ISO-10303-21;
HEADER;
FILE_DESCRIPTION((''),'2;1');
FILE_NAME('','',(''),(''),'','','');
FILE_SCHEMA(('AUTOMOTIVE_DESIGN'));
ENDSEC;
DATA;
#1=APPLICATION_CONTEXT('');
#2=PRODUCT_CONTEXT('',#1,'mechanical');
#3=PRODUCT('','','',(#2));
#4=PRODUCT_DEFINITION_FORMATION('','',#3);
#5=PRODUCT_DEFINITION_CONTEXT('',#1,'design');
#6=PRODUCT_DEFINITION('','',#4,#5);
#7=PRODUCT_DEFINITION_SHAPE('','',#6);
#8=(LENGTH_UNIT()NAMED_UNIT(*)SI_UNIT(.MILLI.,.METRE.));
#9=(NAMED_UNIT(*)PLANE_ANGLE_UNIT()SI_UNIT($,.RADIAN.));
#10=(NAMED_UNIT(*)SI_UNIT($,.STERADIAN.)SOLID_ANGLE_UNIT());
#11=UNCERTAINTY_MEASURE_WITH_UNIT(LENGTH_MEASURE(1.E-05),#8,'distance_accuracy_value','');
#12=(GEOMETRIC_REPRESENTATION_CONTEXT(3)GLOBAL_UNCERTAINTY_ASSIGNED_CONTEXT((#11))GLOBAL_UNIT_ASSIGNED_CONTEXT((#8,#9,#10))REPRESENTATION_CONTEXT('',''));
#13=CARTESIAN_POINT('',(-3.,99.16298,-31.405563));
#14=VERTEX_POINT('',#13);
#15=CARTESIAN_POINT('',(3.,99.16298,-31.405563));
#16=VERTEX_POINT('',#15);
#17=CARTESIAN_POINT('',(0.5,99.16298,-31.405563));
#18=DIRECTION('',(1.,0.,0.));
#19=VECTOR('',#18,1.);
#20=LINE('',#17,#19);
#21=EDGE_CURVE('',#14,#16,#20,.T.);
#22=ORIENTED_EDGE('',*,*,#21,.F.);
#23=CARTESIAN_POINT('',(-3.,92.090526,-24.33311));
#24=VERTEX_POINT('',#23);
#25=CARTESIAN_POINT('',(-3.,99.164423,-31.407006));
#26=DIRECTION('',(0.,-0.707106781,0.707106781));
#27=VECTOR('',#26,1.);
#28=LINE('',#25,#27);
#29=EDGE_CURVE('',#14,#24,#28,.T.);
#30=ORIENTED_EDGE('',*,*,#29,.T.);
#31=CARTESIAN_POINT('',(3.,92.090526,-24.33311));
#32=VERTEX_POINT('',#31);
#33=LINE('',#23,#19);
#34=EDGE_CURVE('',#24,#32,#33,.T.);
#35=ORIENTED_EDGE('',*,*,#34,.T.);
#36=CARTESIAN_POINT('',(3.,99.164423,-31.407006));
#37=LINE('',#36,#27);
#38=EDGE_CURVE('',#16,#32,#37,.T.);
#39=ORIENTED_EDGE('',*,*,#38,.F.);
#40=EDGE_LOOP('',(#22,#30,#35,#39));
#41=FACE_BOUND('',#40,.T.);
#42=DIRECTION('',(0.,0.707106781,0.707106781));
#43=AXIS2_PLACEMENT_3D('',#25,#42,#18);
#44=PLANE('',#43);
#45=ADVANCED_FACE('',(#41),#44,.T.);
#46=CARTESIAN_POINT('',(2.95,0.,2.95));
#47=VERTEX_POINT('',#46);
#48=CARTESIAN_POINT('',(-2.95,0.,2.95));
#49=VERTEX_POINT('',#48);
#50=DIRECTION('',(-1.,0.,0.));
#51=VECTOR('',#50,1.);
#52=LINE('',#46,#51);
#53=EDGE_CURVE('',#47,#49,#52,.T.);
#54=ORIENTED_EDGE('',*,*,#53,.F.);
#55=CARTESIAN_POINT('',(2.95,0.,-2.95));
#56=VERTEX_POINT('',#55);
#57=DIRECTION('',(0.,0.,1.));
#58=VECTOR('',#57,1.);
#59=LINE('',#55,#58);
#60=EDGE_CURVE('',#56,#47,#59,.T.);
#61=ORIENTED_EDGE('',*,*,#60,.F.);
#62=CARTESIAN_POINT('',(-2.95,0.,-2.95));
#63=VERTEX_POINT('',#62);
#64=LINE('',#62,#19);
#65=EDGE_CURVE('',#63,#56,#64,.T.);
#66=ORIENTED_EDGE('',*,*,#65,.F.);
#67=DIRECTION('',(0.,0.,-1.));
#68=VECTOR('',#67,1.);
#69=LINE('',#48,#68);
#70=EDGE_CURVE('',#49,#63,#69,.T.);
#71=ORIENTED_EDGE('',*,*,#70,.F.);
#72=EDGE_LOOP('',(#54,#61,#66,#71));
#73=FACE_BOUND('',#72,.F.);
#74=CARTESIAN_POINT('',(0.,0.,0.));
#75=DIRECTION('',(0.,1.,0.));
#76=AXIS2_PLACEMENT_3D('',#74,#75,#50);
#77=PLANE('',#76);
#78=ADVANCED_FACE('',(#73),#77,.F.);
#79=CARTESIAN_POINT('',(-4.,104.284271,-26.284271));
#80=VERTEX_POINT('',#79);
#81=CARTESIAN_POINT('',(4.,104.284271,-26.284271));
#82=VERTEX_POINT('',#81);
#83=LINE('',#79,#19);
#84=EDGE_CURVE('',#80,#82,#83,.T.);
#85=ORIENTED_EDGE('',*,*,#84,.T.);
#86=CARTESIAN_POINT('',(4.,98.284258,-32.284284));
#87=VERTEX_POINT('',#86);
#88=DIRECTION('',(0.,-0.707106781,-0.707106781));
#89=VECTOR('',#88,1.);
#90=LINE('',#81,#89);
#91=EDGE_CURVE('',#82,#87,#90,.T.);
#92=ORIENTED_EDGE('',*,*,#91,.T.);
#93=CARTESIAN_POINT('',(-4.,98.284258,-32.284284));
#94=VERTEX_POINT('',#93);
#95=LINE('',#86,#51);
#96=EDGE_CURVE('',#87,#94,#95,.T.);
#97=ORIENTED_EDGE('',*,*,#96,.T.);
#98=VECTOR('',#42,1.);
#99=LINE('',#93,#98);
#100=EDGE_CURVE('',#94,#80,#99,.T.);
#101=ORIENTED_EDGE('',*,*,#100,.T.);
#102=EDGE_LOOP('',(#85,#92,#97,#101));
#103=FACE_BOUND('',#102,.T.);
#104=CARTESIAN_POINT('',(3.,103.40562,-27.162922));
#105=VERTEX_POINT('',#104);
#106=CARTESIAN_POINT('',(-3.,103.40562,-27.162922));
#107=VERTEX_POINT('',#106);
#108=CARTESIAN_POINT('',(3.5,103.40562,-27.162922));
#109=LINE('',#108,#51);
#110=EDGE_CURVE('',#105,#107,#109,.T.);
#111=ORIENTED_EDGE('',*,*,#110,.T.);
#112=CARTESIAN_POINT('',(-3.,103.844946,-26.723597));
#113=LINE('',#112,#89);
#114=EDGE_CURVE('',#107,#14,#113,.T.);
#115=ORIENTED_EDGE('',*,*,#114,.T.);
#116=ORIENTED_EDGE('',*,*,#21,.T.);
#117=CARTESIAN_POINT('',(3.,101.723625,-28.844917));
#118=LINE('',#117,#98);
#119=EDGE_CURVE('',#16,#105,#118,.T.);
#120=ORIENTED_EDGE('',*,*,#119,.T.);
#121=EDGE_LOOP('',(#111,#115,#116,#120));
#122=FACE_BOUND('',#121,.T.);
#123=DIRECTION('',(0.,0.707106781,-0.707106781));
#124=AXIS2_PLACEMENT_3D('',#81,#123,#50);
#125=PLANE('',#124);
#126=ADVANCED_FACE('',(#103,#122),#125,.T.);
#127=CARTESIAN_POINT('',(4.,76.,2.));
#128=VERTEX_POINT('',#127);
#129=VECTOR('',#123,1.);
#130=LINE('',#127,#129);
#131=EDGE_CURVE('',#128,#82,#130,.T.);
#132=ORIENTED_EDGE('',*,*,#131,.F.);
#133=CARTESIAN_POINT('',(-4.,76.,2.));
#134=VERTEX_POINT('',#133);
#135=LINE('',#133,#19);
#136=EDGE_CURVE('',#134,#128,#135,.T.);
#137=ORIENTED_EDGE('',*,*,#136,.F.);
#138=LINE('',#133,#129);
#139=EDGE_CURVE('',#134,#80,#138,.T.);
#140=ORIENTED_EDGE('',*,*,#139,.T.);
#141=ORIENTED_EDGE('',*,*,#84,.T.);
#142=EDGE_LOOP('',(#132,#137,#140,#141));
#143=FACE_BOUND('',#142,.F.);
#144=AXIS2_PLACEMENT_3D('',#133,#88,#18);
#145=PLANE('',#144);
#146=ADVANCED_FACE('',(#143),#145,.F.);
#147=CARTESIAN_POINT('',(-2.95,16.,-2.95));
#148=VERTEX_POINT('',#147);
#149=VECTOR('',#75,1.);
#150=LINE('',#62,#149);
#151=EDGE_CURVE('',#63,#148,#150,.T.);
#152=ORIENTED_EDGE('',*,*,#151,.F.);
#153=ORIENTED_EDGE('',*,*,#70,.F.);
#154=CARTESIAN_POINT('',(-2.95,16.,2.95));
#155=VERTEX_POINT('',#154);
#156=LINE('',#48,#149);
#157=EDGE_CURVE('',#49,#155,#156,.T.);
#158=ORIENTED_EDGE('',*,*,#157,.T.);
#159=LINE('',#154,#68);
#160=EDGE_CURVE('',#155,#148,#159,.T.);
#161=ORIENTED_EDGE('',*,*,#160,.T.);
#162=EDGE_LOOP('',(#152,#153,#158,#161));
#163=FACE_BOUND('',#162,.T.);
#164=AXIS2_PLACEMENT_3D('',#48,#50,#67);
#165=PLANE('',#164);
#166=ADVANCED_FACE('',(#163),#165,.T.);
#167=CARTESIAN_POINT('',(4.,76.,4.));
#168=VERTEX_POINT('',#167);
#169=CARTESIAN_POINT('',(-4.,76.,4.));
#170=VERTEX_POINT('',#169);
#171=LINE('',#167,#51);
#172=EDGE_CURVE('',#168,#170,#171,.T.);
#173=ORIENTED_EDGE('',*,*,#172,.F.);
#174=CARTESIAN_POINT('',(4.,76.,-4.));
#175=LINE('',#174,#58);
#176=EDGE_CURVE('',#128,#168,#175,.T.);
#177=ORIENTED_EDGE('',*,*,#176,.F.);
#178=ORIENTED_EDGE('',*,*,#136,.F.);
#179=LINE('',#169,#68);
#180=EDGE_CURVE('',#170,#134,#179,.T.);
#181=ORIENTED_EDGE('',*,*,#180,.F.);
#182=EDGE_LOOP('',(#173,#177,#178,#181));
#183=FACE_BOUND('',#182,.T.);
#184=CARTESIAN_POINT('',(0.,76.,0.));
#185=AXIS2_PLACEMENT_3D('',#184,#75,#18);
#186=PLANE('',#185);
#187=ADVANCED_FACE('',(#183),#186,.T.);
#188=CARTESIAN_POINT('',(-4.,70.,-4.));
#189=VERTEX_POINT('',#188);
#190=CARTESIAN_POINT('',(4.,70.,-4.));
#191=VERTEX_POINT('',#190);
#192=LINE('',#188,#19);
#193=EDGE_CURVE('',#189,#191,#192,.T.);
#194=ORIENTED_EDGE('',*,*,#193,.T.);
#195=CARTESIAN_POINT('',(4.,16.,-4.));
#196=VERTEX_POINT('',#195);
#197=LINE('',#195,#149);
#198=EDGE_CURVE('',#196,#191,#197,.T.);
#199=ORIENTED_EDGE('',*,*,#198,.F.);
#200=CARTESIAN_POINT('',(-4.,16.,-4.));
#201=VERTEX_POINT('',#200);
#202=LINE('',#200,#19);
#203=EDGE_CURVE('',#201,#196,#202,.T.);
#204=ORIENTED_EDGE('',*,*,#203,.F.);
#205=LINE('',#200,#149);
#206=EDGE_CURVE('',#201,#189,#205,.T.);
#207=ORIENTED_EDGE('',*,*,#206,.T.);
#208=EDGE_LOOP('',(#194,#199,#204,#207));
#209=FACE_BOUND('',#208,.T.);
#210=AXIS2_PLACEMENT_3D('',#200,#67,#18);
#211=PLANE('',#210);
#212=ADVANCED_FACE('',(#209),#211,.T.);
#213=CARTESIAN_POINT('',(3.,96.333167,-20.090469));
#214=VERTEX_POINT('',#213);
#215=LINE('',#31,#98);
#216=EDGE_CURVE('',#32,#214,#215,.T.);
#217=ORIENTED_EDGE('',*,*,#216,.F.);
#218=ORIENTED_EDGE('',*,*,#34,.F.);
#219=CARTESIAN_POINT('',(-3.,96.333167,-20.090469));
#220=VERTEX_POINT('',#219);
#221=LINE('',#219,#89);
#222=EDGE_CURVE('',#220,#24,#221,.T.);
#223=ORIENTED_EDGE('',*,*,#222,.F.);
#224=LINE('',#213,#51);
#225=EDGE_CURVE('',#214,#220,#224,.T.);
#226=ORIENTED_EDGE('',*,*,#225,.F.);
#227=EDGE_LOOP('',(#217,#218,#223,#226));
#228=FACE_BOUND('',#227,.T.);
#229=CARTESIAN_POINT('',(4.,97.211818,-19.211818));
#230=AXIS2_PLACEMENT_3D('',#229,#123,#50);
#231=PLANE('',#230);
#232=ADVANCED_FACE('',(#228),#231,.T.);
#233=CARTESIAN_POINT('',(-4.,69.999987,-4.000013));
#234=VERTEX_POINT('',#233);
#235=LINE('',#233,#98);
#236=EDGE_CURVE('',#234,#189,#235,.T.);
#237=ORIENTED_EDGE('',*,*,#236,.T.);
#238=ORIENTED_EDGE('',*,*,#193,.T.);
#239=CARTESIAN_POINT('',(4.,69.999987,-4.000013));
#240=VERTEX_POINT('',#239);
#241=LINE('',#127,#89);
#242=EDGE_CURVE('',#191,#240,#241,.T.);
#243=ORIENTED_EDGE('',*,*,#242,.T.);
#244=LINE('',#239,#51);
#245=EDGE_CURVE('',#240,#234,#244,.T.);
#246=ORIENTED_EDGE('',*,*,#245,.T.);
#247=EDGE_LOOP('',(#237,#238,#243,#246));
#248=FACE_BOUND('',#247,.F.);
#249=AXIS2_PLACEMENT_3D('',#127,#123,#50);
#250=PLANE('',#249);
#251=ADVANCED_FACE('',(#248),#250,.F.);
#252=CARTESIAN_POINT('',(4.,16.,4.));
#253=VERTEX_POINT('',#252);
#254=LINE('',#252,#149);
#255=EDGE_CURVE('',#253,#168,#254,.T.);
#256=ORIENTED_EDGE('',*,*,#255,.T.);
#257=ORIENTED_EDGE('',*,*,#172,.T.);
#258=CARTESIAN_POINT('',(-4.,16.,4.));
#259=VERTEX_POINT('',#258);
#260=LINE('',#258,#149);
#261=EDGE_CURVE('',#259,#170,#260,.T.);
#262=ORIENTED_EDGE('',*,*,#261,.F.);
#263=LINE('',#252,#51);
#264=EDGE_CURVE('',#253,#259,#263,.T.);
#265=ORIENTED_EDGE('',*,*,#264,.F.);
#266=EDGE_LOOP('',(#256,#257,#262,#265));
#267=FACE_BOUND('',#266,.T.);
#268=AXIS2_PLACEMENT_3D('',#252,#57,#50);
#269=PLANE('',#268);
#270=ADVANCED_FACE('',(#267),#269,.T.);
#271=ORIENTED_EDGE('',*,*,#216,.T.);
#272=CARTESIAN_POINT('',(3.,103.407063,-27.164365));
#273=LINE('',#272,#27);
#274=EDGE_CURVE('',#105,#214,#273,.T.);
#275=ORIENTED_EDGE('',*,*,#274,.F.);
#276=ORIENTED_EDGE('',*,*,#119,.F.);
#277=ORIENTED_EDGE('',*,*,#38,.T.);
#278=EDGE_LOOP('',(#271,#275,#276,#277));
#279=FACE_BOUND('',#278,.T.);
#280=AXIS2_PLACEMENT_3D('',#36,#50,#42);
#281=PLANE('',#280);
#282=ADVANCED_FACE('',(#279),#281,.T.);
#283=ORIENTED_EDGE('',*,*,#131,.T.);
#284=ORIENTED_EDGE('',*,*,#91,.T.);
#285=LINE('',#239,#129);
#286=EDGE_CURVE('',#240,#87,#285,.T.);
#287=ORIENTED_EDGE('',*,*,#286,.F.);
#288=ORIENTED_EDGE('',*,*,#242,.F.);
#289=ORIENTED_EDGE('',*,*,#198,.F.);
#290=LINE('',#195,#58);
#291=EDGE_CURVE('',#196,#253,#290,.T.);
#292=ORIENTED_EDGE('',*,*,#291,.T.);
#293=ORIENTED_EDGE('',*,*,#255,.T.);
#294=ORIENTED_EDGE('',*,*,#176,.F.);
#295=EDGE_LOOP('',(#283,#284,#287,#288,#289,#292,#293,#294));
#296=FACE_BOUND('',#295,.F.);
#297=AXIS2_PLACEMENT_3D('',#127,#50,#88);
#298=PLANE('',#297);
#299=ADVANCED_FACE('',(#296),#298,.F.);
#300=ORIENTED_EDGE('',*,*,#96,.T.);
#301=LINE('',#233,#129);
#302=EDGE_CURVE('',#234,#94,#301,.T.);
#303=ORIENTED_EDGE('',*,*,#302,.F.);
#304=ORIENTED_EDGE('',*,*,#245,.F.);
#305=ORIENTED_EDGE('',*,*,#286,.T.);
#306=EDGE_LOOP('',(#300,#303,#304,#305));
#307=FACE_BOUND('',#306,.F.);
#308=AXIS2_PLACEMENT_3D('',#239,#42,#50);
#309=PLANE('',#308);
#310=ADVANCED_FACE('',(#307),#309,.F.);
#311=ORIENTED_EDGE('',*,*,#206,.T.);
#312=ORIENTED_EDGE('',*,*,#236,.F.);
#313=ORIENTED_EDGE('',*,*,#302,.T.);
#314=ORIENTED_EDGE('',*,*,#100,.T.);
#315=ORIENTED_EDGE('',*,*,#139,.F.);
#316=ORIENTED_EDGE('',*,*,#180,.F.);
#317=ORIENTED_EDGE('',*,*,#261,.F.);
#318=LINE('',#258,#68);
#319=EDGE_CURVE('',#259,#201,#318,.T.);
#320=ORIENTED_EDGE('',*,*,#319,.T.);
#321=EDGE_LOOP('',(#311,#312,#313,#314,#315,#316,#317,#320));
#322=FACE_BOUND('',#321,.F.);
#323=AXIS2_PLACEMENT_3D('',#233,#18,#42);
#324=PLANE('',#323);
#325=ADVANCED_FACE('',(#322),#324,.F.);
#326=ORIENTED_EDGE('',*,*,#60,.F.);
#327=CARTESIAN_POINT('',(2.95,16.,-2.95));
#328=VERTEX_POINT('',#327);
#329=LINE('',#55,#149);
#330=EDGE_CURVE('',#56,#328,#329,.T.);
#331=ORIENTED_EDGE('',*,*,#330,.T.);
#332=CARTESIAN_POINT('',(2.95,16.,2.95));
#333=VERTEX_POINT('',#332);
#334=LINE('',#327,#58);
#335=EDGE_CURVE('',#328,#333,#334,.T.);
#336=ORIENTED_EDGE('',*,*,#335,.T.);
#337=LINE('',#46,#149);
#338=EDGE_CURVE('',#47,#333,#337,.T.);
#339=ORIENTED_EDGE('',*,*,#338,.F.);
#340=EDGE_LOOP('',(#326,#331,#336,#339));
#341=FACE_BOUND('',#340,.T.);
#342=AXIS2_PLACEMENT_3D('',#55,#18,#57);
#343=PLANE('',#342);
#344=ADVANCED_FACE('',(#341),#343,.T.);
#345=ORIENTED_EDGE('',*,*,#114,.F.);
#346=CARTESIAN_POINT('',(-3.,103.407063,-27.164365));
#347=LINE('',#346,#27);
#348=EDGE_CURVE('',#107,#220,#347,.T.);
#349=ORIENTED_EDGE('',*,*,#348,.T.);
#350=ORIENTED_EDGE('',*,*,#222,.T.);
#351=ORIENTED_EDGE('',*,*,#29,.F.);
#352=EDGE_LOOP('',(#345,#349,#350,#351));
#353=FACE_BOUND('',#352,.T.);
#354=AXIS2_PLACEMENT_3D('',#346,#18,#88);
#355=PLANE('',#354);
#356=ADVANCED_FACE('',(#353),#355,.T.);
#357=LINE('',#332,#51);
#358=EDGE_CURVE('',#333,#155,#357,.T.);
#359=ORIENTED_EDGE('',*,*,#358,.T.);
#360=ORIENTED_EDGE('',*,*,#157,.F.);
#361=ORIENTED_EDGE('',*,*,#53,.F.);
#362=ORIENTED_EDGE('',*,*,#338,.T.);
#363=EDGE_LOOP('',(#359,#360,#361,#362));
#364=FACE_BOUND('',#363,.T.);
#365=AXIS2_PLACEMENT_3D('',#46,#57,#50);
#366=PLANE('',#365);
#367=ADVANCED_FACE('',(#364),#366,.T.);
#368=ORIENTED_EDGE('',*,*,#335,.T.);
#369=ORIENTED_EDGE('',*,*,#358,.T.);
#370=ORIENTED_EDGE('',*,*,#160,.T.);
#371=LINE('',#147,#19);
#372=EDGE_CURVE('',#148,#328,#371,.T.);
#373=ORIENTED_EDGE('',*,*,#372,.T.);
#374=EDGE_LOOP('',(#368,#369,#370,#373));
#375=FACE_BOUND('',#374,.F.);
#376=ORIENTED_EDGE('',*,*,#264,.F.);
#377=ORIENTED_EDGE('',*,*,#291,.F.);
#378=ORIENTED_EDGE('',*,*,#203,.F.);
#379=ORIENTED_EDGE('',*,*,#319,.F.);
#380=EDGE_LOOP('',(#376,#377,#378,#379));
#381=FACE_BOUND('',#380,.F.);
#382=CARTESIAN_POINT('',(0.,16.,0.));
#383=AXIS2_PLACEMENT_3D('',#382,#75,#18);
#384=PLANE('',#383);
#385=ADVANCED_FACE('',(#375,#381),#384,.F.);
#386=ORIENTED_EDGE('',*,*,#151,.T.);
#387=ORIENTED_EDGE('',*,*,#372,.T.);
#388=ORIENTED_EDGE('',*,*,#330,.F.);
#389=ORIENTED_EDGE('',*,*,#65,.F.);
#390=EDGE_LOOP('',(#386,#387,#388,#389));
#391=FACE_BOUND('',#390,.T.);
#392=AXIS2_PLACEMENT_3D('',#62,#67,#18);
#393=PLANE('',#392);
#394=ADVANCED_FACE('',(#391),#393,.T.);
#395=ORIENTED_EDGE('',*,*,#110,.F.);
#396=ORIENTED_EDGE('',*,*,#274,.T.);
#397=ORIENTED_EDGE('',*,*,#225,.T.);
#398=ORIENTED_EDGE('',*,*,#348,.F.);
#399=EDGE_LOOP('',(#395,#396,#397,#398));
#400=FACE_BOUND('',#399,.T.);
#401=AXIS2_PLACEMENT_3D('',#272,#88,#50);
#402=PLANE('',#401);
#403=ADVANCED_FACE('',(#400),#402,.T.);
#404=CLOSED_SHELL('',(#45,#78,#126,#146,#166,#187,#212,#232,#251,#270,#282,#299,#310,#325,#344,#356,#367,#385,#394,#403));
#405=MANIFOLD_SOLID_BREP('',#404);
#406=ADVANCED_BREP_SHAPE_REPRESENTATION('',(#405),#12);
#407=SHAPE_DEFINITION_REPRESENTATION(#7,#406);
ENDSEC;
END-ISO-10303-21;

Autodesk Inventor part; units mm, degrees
ref_plane "YZ Plane" through (0, 0, 0) normal (1, 0, 0) x (0, 1, 0)
ref_plane "XZ Plane" through (0, 0, 0) normal (0, 1, 0) x (-1, 0, 0)
ref_plane "XY Plane" through (0, 0, 0) normal (0, 0, 1) x (1, 0, 0)
sketch "Sketch1" plane through (0, 0, 0) normal (0, 1, 0) x (-1, 0, 0)
  line L0 (-2.95, 2.95) -> (2.95, 2.95)
  line L1 (2.95, 2.95) -> (2.95, -2.95)
  line L2 (2.95, -2.95) -> (-2.95, -2.95)
  line L3 (-2.95, -2.95) -> (-2.95, 2.95)
  line L4 (-2.95, 2.95) -> (2.95, -2.95) construction
  line L5 (2.95, 2.95) -> (-2.95, -2.95) construction
  point P0 (0, 0)
  dimension "d0" = 5.9
  dimension "d1" = 5.9
extrude "Extrusion1" add sketch "Sketch1" along normal blind 16
sketch "Sketch2" plane through (0, 16, 0) normal (0, 1, 0) x (1, 0, 0)
  line L0 (4, -4) -> (-4, -4)
  line L1 (-4, -4) -> (-4, 4)
  line L2 (-4, 4) -> (4, 4)
  line L3 (4, 4) -> (4, -4)
  line L4 (4, -4) -> (-4, 4) construction
  line L5 (-4, -4) -> (4, 4) construction
  point P0 (0, 0)
  dimension "d4" = 8
  dimension "d5" = 8
extrude "Extrusion2" add sketch "Sketch2" along normal blind 60
chamfer "Chamfer1" distance 6 angle 45 1 edges at (0, 76, -4) measured on face at (1.3333, 76, 1.3333)
sketch "Sketch4" plane through (4, 76, 2) normal (0, 0.7071, -0.7071) x (-1, 0, 0)
  line L0 (8, -8.4853) -> (8, 0) projected
  line L1 (8, 0) -> (0, 0) projected
  line L2 (0, 0) -> (0, -8.4853) projected
  line L3 (0, -8.4853) -> (8, -8.4853) projected
  point P0 (4, -55.1543)
extrude "Extrusion4" add sketch "Sketch4" along normal blind 40
sketch "Sketch5" plane through (4, 104.2843, -26.2843) normal (0, 0.7071, -0.7071) x (-1, 0, 0)
  line L0 (8, -8.4853) -> (8, 0) projected
  line L1 (8, 0) -> (0, 0) projected
  line L2 (0, 0) -> (0, -8.4853) projected
  line L3 (0, -8.4853) -> (8, -8.4853) projected
  line L4 (7, -7.2426) -> (1, -7.2426)
  line L5 (1, -7.2426) -> (1, -1.2426)
  line L6 (1, -1.2426) -> (7, -1.2426)
  line L7 (7, -1.2426) -> (7, -7.2426)
  line L8 (7, -7.2426) -> (1, -1.2426) construction
  line L9 (1, -7.2426) -> (7, -1.2426) construction
  point P0 (4, -55.1543)
  point P1 (4, -4.2426)
  dimension "d15" = 6
  dimension "d16" = 6
extrude "Extrusion5" cut sketch "Sketch5" against normal blind 10 contours L4 L5 L6 L7
properties part number "Stalk"
